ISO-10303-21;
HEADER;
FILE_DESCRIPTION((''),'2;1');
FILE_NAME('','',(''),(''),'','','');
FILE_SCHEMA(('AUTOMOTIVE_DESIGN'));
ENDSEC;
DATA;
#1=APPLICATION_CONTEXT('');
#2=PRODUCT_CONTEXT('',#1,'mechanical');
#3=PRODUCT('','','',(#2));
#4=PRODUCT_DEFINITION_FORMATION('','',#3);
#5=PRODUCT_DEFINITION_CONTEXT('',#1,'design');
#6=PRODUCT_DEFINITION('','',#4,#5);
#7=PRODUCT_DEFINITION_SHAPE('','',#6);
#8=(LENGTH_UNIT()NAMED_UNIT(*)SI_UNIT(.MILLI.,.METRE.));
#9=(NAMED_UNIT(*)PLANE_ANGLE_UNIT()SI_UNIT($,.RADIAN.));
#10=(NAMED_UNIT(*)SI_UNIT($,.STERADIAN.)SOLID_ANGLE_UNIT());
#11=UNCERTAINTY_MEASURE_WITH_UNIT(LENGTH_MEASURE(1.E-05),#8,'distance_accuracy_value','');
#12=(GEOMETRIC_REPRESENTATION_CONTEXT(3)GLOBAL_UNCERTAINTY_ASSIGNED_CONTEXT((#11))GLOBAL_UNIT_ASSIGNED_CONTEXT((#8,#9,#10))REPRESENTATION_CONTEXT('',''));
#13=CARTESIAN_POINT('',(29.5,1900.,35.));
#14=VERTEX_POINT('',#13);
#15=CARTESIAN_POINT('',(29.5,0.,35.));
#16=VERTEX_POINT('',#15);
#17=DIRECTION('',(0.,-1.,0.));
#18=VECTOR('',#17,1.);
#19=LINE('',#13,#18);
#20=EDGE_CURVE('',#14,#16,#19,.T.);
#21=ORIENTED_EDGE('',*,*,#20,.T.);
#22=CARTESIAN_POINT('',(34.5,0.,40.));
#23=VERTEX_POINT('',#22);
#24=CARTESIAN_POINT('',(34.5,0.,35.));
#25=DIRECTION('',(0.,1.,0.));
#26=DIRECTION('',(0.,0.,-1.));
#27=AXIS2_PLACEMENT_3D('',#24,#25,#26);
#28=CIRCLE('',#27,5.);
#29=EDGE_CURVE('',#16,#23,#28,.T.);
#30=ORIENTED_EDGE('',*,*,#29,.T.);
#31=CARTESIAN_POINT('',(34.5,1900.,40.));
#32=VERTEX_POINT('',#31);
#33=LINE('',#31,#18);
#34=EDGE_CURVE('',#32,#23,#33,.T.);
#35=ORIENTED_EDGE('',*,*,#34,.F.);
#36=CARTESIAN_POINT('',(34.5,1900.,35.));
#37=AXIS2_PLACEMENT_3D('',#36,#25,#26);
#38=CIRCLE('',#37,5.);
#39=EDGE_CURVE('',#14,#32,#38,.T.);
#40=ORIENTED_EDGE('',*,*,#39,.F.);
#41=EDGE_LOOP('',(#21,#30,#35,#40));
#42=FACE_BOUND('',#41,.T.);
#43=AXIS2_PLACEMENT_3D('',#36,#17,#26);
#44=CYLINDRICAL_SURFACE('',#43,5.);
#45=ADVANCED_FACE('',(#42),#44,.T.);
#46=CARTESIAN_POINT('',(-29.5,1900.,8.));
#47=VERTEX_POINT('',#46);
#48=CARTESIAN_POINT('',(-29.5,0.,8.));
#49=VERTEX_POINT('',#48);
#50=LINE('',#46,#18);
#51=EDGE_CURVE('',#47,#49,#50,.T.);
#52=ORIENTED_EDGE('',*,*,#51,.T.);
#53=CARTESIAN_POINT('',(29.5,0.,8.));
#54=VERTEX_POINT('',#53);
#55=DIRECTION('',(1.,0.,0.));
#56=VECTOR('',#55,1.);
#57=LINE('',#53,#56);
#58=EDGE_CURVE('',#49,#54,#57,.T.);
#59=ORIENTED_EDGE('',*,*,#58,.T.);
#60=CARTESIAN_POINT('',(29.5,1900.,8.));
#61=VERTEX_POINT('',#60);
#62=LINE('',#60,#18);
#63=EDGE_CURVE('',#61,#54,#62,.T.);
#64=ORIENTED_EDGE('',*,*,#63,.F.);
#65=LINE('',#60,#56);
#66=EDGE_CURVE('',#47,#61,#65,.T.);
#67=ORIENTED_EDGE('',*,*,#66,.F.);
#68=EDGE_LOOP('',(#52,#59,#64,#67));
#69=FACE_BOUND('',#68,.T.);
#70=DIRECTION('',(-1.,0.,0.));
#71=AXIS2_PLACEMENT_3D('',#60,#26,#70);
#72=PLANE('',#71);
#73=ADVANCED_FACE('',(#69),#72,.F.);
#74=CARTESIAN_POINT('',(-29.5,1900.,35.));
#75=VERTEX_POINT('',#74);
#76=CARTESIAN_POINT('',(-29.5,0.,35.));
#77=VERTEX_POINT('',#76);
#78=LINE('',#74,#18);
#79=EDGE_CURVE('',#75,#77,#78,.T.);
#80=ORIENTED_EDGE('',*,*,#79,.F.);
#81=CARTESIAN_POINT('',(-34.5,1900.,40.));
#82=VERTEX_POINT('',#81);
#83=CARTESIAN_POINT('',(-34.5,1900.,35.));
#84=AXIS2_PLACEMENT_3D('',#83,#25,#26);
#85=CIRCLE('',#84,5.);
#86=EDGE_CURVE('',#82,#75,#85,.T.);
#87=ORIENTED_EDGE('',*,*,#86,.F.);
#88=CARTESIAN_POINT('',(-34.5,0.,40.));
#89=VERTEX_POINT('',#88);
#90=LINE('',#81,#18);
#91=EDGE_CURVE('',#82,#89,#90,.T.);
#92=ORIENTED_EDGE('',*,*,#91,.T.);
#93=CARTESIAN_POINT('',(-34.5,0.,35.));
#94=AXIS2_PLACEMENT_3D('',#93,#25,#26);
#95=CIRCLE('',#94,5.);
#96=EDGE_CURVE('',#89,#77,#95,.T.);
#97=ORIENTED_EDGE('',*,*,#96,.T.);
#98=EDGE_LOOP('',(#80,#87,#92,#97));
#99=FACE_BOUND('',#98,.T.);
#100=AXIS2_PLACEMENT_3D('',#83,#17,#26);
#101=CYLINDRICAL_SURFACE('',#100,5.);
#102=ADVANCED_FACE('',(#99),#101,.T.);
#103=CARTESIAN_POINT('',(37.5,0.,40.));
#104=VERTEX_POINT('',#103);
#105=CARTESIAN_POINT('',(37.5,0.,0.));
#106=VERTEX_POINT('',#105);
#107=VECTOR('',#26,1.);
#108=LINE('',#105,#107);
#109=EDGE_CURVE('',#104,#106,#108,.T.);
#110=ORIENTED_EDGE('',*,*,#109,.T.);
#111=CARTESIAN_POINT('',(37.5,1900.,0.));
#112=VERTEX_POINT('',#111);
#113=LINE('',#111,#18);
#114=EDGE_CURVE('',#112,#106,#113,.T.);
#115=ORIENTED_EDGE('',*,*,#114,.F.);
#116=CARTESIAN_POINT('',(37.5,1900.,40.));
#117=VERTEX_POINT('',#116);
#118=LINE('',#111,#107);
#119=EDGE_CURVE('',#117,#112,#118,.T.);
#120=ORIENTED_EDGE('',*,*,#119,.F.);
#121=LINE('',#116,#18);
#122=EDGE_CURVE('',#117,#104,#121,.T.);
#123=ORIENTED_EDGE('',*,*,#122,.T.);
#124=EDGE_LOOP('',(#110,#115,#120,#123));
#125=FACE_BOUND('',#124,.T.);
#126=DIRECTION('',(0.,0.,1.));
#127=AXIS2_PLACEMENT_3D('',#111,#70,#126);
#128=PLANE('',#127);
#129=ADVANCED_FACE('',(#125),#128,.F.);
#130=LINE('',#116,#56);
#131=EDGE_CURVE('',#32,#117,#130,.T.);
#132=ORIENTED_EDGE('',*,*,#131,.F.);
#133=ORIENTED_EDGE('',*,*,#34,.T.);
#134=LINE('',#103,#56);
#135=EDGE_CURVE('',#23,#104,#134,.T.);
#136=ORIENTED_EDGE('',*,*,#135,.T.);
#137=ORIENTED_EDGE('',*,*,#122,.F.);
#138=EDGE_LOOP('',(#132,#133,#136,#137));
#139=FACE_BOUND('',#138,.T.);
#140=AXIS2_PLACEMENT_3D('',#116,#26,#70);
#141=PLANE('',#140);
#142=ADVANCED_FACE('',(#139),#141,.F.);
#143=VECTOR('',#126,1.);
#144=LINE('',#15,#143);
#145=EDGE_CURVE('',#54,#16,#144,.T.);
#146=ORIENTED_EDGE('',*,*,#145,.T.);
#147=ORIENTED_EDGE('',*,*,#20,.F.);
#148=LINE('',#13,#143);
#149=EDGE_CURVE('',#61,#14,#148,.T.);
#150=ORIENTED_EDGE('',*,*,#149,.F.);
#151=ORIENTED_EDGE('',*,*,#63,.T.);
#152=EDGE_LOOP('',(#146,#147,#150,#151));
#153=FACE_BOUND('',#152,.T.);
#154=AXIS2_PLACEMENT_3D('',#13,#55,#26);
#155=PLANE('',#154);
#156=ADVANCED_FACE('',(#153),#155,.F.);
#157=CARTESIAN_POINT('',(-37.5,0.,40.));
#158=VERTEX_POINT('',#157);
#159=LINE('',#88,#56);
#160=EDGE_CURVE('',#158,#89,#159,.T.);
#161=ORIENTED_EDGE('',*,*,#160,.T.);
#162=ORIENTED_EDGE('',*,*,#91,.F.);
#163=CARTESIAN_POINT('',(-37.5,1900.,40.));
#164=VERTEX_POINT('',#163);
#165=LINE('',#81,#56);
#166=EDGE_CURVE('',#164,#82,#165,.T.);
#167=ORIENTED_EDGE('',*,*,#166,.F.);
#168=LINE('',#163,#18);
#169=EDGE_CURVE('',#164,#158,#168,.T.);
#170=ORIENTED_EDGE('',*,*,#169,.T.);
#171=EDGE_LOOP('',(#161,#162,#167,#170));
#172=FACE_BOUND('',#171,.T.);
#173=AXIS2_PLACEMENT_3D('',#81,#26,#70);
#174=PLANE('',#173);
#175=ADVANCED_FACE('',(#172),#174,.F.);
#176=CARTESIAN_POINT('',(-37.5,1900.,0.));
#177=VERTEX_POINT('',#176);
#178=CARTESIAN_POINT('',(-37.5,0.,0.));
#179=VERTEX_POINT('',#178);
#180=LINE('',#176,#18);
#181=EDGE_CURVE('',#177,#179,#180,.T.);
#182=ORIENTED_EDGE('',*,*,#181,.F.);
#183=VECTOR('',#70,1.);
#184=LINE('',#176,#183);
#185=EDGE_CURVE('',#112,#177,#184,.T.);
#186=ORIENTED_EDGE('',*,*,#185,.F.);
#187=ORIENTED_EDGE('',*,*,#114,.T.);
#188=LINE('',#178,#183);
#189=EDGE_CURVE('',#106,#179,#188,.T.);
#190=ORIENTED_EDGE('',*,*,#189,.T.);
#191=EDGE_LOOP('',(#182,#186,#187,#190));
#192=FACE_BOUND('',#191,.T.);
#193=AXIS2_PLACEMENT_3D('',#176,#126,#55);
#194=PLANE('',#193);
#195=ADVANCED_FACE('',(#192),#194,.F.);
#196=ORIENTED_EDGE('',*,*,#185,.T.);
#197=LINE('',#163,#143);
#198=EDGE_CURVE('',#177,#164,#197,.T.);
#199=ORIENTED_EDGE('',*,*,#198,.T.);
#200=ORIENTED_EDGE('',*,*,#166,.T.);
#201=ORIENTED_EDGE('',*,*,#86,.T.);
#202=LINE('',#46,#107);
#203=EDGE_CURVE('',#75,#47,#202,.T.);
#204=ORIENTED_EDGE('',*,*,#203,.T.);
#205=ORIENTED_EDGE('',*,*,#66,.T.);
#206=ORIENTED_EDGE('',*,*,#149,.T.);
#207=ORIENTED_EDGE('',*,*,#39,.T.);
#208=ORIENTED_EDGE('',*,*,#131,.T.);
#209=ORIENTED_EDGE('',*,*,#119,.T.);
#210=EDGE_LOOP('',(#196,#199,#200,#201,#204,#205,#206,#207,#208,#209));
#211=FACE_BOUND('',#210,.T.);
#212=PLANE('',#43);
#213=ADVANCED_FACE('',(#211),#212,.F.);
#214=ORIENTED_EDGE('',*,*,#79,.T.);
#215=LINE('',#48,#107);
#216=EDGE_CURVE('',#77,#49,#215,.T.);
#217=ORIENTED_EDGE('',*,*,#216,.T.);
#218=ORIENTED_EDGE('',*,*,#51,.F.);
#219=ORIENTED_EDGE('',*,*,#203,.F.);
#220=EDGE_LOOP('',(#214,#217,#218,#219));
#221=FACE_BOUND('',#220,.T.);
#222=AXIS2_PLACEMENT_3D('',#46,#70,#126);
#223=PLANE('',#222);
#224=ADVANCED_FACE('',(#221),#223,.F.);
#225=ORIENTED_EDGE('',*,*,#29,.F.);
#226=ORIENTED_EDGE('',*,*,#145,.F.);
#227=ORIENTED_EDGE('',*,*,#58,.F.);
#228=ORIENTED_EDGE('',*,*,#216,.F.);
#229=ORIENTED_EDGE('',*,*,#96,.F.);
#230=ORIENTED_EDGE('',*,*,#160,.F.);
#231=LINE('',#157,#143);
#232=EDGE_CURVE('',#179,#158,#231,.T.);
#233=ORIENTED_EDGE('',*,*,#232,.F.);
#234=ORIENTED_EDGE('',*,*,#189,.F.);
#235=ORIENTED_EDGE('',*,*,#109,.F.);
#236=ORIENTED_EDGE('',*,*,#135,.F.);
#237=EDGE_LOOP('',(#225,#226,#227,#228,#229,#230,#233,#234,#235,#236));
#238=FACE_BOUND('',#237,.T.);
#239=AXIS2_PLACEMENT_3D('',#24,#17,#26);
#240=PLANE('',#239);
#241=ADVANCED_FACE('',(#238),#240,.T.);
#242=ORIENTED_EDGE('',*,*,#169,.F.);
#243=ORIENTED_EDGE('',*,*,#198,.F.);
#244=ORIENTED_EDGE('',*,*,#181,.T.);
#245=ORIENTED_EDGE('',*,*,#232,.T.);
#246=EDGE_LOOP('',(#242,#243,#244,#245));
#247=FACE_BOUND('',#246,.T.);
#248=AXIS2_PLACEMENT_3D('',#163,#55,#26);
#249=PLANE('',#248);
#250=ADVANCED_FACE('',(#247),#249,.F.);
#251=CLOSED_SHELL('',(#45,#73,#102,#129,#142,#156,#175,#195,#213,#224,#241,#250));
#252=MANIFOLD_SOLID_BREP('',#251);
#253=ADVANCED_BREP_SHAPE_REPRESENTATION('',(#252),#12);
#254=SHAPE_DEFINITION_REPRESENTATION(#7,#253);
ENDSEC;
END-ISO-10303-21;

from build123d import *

# Parameters (mm, degrees)
C_CHANNEL_80_X_8_1_DEPTH = 1900


with BuildPart() as part:
    # Sketch11 → C channel 80 X 8(1) (new body)
    with BuildSketch(Plane.ZX):
        with BuildLine():
            Line((0, -37.5), (0, 37.5))
            Line((0, 37.5), (40, 37.5))
            Line((40, 37.5), (40, 34.5))
            ThreePointArc((40, 34.5), (38.535533906, 30.964466094), (35, 29.5))
            Line((35, 29.5), (8, 29.5))
            Line((8, 29.5), (8, -29.5))
            Line((8, -29.5), (35, -29.5))
            ThreePointArc((35, -29.5), (38.535533906, -30.964466094), (40, -34.5))
            Line((40, -34.5), (40, -37.5))
            Line((40, -37.5), (0, -37.5))
        make_face()
    extrude(amount=C_CHANNEL_80_X_8_1_DEPTH)


solid = part.part
